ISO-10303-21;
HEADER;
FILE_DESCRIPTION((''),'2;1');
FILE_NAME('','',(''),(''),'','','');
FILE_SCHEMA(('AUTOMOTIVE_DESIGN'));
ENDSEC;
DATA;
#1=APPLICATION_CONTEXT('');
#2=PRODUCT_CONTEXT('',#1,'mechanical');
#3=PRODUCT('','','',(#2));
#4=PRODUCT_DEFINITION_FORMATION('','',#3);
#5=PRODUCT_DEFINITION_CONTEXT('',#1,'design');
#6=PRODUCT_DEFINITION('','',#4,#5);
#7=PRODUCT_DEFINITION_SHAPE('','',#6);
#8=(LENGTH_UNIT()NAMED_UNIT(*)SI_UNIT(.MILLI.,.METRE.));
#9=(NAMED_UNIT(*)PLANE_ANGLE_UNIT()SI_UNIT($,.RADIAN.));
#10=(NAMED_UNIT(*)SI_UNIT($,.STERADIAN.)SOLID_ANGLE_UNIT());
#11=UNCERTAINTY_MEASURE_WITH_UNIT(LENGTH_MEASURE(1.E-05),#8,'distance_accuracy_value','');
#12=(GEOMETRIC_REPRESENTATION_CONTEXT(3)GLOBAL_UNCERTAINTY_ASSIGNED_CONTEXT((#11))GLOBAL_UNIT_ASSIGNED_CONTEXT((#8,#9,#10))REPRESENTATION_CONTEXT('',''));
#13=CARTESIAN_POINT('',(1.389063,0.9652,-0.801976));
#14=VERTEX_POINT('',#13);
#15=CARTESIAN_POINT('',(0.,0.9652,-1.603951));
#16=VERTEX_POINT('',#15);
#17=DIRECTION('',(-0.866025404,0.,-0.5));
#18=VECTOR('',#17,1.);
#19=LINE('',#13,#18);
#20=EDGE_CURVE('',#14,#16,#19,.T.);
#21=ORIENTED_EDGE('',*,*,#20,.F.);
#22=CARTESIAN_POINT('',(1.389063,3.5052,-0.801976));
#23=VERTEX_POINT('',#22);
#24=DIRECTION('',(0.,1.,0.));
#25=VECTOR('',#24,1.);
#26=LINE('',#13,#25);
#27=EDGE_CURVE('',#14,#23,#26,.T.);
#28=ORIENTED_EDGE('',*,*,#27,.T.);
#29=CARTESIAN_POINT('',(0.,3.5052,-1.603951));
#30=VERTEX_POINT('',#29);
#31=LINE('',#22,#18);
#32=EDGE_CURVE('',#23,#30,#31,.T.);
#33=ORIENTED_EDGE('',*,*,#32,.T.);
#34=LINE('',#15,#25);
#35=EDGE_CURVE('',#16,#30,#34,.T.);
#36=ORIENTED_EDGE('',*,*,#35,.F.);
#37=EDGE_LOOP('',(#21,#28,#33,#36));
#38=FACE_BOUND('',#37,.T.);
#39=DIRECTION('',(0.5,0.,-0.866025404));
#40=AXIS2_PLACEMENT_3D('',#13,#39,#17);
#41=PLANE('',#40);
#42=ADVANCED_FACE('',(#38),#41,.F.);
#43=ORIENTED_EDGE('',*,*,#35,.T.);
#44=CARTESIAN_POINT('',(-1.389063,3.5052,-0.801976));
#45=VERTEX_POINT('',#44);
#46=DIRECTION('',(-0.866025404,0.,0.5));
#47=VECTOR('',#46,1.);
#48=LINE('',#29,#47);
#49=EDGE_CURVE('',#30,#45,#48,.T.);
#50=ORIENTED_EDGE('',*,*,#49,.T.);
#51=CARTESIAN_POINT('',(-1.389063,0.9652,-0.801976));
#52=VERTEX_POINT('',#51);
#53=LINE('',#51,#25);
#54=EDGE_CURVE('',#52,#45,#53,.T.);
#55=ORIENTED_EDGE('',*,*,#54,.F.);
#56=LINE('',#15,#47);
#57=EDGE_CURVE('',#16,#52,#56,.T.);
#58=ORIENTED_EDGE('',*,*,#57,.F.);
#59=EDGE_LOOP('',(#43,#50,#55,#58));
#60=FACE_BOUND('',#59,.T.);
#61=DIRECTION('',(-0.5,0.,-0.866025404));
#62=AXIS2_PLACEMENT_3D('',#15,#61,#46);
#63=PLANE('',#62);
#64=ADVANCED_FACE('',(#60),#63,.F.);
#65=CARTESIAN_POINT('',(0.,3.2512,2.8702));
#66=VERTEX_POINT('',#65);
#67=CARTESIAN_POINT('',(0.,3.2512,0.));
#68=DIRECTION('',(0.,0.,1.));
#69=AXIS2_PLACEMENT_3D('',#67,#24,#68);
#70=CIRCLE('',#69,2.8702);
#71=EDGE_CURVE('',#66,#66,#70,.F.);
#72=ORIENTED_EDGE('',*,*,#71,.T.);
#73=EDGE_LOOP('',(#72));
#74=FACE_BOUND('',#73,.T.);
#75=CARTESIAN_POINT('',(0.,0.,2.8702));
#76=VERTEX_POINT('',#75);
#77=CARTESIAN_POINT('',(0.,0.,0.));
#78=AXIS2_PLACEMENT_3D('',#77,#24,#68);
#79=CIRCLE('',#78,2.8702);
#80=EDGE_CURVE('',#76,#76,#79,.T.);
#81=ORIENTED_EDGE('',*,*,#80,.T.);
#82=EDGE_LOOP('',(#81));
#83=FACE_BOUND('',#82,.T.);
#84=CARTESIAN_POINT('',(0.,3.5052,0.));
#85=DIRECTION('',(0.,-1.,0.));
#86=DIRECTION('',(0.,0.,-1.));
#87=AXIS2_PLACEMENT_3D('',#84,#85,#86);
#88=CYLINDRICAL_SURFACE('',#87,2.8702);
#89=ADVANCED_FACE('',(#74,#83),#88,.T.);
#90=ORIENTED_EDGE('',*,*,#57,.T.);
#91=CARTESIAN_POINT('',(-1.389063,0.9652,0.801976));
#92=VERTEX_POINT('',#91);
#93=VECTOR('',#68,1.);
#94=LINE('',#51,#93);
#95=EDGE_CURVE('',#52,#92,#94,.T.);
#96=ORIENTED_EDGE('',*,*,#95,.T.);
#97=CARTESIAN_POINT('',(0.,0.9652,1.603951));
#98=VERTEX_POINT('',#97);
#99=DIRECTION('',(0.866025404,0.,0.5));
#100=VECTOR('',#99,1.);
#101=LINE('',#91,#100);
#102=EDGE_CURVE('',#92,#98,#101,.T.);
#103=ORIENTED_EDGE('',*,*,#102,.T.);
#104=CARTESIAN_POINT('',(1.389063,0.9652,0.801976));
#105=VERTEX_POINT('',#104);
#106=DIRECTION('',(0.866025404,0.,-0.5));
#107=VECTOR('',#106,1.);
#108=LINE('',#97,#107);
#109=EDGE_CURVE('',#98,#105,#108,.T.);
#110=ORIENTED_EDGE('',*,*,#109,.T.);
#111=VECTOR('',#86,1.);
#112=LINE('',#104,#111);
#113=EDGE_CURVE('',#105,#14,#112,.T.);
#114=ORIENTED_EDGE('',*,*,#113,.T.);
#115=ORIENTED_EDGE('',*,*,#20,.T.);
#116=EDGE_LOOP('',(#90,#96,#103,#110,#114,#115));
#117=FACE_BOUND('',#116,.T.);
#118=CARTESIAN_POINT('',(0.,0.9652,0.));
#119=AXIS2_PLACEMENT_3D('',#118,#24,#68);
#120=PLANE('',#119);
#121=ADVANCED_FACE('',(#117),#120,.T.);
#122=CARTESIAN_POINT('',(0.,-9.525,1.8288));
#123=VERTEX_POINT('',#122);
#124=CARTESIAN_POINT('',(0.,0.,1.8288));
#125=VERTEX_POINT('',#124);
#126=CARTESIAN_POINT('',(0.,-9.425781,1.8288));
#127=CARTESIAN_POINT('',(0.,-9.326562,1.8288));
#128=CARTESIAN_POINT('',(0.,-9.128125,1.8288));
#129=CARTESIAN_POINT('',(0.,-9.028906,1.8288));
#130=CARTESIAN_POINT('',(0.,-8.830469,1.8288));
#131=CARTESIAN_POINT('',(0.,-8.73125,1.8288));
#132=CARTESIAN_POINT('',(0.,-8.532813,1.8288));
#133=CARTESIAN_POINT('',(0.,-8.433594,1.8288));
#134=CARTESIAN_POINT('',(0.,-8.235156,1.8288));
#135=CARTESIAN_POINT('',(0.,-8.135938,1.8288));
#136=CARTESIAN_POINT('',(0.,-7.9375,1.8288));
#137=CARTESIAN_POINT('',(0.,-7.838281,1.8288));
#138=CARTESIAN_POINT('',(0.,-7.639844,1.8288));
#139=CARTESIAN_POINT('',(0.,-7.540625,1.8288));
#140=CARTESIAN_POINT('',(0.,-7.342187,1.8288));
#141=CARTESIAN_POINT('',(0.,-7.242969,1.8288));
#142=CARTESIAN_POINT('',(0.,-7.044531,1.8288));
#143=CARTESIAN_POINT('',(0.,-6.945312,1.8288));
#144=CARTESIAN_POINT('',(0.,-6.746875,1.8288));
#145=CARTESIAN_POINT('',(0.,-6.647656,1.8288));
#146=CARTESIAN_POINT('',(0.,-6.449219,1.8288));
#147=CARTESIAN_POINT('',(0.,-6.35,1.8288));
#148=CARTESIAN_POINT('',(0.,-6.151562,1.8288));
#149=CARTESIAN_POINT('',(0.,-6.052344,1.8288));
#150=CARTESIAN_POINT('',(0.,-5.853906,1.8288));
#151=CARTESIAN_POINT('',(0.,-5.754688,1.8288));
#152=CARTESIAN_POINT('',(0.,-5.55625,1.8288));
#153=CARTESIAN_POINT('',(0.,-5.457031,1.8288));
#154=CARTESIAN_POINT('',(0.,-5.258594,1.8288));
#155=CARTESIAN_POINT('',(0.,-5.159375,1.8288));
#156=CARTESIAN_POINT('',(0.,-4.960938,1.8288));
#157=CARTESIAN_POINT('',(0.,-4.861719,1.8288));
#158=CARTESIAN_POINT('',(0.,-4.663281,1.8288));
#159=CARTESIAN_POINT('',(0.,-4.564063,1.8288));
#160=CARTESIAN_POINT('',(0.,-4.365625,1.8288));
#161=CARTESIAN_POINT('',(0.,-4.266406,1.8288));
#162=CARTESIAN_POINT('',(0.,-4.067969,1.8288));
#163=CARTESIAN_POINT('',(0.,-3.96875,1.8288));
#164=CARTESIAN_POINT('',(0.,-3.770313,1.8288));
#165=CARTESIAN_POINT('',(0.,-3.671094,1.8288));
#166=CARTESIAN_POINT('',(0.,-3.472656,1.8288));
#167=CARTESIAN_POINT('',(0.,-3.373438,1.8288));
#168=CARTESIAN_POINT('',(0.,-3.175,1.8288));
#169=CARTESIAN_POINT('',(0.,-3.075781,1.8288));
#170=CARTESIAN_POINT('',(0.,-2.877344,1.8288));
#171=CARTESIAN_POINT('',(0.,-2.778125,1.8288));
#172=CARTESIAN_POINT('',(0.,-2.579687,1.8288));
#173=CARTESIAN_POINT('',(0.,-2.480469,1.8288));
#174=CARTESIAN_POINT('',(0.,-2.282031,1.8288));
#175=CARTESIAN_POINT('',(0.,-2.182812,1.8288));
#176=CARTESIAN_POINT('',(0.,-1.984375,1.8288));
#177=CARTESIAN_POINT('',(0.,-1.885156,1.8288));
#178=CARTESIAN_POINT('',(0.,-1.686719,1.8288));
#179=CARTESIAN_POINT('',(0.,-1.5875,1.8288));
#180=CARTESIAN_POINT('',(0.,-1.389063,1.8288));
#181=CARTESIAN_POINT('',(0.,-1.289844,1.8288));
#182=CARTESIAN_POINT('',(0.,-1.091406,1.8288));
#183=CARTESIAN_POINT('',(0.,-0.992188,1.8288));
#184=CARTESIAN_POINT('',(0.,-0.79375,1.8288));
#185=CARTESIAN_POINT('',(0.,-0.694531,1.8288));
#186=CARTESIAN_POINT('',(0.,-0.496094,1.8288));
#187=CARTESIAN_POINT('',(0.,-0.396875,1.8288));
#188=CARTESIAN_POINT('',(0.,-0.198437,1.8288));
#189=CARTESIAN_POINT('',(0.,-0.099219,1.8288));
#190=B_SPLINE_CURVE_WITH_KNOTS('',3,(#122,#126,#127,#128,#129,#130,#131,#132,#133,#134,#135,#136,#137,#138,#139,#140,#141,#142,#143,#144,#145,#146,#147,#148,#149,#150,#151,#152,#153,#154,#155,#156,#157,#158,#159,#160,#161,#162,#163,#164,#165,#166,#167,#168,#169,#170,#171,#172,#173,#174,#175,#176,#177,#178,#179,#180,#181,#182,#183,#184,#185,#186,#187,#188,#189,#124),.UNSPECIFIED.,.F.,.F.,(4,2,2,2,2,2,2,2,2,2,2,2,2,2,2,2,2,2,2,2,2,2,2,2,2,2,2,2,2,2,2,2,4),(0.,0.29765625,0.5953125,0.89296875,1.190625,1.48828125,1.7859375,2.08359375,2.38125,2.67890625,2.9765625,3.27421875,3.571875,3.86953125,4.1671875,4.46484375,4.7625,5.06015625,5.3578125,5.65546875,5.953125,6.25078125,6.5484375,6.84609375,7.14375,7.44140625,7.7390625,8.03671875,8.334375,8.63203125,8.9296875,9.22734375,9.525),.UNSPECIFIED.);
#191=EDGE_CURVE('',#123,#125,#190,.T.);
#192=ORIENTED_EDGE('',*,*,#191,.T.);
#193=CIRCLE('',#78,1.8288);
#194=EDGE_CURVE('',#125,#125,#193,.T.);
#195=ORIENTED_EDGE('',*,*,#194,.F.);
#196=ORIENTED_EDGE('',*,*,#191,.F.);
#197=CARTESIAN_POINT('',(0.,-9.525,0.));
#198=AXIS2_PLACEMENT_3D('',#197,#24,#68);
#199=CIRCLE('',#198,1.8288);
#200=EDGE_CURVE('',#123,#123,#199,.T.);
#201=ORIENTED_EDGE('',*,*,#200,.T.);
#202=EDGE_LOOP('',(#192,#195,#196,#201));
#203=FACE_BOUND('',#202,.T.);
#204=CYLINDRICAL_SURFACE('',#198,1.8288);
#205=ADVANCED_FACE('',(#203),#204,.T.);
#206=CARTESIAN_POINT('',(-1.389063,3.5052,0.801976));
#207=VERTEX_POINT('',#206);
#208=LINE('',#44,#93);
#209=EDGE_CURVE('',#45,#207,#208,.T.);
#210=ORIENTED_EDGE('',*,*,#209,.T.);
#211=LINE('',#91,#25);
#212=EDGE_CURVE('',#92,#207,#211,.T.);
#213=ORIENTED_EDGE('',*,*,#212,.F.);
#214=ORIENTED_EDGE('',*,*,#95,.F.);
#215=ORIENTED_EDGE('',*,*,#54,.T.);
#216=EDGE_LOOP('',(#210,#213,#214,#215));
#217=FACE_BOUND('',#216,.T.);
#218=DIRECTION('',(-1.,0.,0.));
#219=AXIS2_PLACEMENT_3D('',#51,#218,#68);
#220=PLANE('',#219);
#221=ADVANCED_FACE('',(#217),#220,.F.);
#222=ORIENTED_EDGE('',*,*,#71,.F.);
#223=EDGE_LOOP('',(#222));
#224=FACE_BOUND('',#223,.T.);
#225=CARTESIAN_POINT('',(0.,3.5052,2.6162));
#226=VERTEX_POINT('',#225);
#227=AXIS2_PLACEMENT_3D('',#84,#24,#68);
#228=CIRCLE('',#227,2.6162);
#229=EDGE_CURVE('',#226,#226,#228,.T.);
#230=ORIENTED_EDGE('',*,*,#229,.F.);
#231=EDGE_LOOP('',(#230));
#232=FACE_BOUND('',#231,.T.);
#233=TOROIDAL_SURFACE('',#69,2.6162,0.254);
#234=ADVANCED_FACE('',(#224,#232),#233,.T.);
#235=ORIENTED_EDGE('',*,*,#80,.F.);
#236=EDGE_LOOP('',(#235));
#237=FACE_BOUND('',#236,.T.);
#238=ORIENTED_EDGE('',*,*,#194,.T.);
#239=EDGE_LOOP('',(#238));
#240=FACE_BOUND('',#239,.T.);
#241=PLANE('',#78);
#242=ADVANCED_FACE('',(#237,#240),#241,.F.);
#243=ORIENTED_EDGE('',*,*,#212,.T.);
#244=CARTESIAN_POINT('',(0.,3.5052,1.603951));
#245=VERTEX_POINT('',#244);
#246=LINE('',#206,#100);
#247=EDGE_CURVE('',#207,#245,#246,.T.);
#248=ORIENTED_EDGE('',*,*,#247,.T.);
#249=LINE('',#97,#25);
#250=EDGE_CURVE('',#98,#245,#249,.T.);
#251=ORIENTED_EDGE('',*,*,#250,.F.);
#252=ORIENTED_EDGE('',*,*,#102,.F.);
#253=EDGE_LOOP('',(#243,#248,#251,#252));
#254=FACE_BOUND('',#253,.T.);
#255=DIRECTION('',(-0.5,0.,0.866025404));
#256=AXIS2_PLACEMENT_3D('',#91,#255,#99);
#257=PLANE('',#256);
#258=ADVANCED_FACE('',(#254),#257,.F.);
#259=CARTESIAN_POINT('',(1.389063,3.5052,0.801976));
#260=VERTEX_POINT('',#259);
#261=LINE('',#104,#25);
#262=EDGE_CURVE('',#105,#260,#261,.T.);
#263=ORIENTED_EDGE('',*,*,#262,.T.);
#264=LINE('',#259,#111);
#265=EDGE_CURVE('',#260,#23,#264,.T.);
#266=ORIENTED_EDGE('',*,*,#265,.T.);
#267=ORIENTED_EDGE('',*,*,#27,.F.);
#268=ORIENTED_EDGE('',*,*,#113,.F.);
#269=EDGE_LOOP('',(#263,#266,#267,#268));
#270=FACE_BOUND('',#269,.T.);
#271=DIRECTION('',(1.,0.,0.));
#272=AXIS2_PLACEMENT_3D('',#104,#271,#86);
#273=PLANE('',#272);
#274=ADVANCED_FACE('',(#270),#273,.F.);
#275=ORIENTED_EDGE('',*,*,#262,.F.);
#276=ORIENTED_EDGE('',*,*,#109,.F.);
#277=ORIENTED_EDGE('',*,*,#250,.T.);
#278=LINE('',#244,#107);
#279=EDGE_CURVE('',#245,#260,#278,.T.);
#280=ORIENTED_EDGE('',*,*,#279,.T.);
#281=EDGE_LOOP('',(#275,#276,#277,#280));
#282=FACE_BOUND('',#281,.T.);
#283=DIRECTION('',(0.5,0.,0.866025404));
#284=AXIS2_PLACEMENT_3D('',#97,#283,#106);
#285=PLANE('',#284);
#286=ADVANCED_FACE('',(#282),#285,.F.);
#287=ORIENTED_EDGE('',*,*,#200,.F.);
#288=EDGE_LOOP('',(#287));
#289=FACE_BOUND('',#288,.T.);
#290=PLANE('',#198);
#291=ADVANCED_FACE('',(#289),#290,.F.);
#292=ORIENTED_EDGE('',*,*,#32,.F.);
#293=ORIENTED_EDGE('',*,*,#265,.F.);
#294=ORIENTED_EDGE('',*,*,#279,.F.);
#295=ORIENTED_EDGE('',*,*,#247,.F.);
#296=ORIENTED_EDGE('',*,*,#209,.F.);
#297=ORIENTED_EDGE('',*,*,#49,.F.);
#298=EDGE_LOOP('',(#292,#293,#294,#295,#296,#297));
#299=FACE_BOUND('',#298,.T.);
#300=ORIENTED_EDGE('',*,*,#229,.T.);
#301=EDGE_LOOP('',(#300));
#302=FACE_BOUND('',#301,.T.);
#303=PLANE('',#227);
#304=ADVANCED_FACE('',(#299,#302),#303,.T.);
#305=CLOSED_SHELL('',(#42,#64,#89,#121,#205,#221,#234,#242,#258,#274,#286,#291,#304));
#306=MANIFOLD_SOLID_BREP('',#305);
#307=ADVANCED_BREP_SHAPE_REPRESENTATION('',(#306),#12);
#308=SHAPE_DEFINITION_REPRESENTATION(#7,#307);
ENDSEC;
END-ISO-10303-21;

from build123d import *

# Parameters (mm, degrees)
SKETCH1_R           = 1.8288
BOSS_EXTRUDE1_DEPTH = 9.525
SKETCH2_R           = 2.8702
BOSS_EXTRUDE2_DEPTH = 3.5052
FILLET1_R           = 0.254
CUT_EXTRUDE1_DEPTH  = 2.54


with BuildPart() as part:
    # Sketch1 → Boss-Extrude1 (new body)
    with BuildSketch(Plane(origin=(0, 0, 0), x_dir=(1, 0, 0), z_dir=(0, 1, 0))):
        with Locations(Location((0, 0, 0), (0, 0, 270))):
            Circle(SKETCH1_R)
    extrude(amount=-BOSS_EXTRUDE1_DEPTH)

    # Sketch2 → Boss-Extrude2 (add)
    with BuildSketch(Plane(origin=(0, 0, 0), x_dir=(1, 0, 0), z_dir=(0, 1, 0))):
        with Locations(Location((0, 0, 0), (0, 0, 270))):
            Circle(SKETCH2_R)
    extrude(amount=BOSS_EXTRUDE2_DEPTH)

    # Fillet1
    fillet1_edges = [part.edges().sort_by_distance(p)[0] for p in [
        (0, 3.5052, -2.8702),
    ]]
    fillet(fillet1_edges, radius=FILLET1_R)

    # Sketch3 → Cut-Extrude1 (cut)
    with BuildSketch(Plane(origin=(0, 3.5052, 0), x_dir=(1, 0, 0), z_dir=(0, 1, 0))):
        Polygon((0, 1.603951217), (-1.3890625, 0.801975608), (-1.3890625, -0.801975608), (0, -1.603951217), (1.3890625, -0.801975608), (1.3890625, 0.801975608), align=None)
    extrude(amount=-CUT_EXTRUDE1_DEPTH, mode=Mode.SUBTRACT)


solid = part.part
